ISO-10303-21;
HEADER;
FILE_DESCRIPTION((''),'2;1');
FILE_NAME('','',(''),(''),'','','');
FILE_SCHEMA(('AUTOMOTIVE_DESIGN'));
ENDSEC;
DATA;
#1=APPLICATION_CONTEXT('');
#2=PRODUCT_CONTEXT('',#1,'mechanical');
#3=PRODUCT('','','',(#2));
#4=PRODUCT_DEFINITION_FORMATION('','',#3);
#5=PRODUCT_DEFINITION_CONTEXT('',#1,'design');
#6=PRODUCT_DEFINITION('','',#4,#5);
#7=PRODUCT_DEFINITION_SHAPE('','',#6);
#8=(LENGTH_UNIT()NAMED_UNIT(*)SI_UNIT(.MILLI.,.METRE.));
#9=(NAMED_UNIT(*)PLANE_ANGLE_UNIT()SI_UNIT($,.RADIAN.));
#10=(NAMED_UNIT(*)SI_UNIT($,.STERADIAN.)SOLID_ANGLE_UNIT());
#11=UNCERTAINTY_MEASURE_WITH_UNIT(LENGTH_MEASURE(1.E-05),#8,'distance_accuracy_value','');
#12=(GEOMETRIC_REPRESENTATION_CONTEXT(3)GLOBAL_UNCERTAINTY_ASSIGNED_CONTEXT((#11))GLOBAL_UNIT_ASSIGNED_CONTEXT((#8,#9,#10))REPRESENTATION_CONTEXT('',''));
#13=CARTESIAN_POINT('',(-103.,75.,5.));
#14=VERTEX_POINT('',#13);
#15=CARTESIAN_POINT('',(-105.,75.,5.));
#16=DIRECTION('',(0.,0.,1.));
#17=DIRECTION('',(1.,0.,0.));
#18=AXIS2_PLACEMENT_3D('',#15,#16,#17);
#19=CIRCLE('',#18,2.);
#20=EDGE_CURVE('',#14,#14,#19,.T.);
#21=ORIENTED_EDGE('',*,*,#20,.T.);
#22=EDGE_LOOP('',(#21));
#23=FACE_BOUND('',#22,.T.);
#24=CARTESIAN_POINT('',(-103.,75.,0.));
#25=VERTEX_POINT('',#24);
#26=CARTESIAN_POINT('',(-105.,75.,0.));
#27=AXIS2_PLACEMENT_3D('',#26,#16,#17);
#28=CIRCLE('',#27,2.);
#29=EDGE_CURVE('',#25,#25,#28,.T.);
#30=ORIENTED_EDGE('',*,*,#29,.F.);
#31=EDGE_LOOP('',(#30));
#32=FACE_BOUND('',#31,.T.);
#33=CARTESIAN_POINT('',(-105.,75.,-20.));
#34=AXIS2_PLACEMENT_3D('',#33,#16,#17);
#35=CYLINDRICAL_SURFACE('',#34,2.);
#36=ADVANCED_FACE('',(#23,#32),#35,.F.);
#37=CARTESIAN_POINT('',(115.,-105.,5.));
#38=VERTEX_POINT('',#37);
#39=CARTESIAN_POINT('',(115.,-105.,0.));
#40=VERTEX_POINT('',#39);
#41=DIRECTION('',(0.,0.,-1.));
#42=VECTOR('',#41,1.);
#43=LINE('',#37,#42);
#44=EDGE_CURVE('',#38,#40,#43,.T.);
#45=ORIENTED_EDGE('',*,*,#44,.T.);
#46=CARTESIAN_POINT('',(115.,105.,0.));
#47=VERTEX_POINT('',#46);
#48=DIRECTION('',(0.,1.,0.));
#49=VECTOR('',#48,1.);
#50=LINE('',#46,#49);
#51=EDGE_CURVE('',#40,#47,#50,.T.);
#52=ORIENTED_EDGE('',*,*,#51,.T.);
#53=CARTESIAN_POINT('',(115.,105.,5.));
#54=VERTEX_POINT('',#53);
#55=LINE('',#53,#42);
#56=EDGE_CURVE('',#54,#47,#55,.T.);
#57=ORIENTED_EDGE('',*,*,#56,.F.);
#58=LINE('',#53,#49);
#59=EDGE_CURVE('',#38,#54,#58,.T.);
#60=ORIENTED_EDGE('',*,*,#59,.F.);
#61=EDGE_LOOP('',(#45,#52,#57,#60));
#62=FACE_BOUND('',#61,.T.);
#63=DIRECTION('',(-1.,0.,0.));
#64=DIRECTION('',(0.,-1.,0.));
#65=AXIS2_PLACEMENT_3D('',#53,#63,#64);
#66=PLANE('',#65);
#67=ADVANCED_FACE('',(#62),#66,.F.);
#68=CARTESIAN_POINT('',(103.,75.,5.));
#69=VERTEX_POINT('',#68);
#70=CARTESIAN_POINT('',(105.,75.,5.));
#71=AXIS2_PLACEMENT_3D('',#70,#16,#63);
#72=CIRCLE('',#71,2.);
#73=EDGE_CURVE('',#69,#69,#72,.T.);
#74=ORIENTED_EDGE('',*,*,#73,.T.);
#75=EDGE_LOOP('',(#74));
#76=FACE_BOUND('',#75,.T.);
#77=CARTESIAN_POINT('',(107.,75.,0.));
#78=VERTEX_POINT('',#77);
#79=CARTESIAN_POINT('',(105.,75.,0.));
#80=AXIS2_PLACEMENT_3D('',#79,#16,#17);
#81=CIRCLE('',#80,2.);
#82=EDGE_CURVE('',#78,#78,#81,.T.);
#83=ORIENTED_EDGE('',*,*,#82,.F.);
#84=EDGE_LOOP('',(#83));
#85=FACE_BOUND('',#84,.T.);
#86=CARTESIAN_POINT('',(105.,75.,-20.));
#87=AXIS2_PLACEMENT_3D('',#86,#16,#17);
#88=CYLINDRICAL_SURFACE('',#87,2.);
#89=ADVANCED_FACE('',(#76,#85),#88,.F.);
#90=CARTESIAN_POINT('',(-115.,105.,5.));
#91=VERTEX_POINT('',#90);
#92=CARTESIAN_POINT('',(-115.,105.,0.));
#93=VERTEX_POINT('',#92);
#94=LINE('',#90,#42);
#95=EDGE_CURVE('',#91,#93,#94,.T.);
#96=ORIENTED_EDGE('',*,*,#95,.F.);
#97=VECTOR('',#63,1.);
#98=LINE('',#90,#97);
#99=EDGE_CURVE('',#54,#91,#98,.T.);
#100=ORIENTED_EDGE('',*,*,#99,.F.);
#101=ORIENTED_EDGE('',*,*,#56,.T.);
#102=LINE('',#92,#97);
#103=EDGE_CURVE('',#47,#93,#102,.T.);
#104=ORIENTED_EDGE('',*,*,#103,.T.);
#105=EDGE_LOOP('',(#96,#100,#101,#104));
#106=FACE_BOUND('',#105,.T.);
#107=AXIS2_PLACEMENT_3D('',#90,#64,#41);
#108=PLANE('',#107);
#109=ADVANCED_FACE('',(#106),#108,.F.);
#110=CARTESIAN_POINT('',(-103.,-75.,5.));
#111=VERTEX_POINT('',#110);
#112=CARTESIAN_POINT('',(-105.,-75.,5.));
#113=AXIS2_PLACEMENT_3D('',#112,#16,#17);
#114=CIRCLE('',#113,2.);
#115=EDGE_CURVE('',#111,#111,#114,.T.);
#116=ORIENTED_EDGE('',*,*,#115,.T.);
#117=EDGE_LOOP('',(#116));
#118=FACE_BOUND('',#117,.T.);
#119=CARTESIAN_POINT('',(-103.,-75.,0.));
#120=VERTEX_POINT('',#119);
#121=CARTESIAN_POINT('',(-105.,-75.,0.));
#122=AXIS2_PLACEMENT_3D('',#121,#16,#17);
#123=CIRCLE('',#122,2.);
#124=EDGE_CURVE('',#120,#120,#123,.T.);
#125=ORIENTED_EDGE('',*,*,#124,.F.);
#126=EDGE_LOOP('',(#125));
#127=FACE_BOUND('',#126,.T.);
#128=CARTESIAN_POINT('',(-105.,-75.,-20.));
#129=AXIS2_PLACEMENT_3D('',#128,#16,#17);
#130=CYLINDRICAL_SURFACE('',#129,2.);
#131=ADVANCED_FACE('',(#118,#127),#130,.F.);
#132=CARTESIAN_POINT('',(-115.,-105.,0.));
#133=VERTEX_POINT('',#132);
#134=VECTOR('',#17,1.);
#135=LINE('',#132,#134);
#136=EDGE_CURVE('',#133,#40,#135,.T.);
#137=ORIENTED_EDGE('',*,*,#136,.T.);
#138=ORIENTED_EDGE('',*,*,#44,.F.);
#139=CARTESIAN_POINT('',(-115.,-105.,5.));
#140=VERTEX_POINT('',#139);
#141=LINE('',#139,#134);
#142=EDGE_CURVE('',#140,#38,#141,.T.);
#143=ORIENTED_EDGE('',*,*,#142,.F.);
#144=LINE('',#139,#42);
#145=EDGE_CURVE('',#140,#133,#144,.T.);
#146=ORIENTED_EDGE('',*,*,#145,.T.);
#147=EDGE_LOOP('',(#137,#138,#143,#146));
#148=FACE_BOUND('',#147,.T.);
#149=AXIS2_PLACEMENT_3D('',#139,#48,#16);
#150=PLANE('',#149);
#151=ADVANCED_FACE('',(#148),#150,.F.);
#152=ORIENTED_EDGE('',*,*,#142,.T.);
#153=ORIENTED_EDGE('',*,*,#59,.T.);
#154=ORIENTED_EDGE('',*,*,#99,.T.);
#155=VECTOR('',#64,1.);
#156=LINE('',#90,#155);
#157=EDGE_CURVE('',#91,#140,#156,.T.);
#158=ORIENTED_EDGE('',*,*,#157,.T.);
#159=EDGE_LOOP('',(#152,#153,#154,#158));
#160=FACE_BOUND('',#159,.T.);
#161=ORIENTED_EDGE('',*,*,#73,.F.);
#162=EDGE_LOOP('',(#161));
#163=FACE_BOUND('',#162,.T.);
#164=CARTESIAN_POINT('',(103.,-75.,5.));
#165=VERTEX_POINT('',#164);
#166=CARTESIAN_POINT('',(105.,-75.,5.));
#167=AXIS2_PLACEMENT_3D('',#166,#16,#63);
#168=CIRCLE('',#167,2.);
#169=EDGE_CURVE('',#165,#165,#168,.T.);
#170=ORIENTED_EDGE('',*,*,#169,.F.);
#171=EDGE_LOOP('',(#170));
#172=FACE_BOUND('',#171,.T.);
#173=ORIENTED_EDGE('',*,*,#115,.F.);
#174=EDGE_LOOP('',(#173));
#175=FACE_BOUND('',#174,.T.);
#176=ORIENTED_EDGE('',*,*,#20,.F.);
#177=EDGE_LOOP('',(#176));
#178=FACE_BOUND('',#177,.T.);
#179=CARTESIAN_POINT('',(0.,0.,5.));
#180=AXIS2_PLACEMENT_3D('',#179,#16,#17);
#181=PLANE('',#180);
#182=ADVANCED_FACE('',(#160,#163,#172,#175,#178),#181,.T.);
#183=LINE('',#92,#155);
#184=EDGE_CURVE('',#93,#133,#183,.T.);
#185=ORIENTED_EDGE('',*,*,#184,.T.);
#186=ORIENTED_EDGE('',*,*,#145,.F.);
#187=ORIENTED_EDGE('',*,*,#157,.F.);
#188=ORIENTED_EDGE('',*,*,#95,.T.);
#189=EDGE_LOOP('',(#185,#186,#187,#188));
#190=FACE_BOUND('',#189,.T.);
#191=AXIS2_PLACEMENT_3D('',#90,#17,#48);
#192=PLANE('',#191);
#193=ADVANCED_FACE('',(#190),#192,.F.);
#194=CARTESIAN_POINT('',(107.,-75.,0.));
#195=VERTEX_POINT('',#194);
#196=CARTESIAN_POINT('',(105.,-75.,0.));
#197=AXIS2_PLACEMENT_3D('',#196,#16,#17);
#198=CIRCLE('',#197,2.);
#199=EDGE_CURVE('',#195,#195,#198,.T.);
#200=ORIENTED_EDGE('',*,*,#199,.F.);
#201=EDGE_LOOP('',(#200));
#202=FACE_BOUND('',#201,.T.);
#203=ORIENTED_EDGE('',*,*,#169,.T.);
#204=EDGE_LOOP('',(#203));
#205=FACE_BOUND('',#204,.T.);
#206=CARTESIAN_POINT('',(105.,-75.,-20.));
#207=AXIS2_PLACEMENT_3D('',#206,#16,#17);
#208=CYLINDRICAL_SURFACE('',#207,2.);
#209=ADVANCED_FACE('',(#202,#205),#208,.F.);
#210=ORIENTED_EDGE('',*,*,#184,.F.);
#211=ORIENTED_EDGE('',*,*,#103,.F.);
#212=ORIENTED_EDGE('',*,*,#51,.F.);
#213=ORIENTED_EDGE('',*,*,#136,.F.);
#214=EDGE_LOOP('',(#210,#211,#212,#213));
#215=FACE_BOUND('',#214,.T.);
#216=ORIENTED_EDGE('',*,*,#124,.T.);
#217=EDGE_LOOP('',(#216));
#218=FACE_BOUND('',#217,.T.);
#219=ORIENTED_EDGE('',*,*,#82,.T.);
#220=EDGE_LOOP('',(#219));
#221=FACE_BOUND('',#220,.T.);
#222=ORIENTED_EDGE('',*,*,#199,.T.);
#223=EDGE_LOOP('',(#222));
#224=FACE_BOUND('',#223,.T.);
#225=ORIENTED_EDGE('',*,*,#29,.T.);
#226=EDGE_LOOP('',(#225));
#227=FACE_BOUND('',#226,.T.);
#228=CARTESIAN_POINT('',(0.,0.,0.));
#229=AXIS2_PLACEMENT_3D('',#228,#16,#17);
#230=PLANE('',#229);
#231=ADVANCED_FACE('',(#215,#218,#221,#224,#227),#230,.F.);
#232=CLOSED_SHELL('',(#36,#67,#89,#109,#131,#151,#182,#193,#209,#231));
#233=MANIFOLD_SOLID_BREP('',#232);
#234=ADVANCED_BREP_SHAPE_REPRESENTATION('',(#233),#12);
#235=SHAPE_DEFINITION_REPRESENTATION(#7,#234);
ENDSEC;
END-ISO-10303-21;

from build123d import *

# Parameters (mm, degrees)
SKETCH1_W           = 230
SKETCH1_H           = 210
BOSS_EXTRUDE1_DEPTH = 5
SKETCH2_R           = 2
CUT_EXTRUDE1_DEPTH  = 25


with BuildPart() as part:
    # Sketch1 → Boss-Extrude1 (new body)
    with BuildSketch(Plane.XY):
        Rectangle(SKETCH1_W, SKETCH1_H)
    extrude(amount=BOSS_EXTRUDE1_DEPTH)

    # Sketch2 → Cut-Extrude1 (cut)
    with BuildSketch(Plane.XY.offset(5)):
        with Locations((-105, 75)):
            Circle(SKETCH2_R)
        with Locations((-105, -75)):
            Circle(SKETCH2_R)
        with Locations((105, -75)):
            Circle(SKETCH2_R)
        with Locations((105, 75)):
            Circle(SKETCH2_R)
    extrude(amount=-CUT_EXTRUDE1_DEPTH, mode=Mode.SUBTRACT)


solid = part.part
